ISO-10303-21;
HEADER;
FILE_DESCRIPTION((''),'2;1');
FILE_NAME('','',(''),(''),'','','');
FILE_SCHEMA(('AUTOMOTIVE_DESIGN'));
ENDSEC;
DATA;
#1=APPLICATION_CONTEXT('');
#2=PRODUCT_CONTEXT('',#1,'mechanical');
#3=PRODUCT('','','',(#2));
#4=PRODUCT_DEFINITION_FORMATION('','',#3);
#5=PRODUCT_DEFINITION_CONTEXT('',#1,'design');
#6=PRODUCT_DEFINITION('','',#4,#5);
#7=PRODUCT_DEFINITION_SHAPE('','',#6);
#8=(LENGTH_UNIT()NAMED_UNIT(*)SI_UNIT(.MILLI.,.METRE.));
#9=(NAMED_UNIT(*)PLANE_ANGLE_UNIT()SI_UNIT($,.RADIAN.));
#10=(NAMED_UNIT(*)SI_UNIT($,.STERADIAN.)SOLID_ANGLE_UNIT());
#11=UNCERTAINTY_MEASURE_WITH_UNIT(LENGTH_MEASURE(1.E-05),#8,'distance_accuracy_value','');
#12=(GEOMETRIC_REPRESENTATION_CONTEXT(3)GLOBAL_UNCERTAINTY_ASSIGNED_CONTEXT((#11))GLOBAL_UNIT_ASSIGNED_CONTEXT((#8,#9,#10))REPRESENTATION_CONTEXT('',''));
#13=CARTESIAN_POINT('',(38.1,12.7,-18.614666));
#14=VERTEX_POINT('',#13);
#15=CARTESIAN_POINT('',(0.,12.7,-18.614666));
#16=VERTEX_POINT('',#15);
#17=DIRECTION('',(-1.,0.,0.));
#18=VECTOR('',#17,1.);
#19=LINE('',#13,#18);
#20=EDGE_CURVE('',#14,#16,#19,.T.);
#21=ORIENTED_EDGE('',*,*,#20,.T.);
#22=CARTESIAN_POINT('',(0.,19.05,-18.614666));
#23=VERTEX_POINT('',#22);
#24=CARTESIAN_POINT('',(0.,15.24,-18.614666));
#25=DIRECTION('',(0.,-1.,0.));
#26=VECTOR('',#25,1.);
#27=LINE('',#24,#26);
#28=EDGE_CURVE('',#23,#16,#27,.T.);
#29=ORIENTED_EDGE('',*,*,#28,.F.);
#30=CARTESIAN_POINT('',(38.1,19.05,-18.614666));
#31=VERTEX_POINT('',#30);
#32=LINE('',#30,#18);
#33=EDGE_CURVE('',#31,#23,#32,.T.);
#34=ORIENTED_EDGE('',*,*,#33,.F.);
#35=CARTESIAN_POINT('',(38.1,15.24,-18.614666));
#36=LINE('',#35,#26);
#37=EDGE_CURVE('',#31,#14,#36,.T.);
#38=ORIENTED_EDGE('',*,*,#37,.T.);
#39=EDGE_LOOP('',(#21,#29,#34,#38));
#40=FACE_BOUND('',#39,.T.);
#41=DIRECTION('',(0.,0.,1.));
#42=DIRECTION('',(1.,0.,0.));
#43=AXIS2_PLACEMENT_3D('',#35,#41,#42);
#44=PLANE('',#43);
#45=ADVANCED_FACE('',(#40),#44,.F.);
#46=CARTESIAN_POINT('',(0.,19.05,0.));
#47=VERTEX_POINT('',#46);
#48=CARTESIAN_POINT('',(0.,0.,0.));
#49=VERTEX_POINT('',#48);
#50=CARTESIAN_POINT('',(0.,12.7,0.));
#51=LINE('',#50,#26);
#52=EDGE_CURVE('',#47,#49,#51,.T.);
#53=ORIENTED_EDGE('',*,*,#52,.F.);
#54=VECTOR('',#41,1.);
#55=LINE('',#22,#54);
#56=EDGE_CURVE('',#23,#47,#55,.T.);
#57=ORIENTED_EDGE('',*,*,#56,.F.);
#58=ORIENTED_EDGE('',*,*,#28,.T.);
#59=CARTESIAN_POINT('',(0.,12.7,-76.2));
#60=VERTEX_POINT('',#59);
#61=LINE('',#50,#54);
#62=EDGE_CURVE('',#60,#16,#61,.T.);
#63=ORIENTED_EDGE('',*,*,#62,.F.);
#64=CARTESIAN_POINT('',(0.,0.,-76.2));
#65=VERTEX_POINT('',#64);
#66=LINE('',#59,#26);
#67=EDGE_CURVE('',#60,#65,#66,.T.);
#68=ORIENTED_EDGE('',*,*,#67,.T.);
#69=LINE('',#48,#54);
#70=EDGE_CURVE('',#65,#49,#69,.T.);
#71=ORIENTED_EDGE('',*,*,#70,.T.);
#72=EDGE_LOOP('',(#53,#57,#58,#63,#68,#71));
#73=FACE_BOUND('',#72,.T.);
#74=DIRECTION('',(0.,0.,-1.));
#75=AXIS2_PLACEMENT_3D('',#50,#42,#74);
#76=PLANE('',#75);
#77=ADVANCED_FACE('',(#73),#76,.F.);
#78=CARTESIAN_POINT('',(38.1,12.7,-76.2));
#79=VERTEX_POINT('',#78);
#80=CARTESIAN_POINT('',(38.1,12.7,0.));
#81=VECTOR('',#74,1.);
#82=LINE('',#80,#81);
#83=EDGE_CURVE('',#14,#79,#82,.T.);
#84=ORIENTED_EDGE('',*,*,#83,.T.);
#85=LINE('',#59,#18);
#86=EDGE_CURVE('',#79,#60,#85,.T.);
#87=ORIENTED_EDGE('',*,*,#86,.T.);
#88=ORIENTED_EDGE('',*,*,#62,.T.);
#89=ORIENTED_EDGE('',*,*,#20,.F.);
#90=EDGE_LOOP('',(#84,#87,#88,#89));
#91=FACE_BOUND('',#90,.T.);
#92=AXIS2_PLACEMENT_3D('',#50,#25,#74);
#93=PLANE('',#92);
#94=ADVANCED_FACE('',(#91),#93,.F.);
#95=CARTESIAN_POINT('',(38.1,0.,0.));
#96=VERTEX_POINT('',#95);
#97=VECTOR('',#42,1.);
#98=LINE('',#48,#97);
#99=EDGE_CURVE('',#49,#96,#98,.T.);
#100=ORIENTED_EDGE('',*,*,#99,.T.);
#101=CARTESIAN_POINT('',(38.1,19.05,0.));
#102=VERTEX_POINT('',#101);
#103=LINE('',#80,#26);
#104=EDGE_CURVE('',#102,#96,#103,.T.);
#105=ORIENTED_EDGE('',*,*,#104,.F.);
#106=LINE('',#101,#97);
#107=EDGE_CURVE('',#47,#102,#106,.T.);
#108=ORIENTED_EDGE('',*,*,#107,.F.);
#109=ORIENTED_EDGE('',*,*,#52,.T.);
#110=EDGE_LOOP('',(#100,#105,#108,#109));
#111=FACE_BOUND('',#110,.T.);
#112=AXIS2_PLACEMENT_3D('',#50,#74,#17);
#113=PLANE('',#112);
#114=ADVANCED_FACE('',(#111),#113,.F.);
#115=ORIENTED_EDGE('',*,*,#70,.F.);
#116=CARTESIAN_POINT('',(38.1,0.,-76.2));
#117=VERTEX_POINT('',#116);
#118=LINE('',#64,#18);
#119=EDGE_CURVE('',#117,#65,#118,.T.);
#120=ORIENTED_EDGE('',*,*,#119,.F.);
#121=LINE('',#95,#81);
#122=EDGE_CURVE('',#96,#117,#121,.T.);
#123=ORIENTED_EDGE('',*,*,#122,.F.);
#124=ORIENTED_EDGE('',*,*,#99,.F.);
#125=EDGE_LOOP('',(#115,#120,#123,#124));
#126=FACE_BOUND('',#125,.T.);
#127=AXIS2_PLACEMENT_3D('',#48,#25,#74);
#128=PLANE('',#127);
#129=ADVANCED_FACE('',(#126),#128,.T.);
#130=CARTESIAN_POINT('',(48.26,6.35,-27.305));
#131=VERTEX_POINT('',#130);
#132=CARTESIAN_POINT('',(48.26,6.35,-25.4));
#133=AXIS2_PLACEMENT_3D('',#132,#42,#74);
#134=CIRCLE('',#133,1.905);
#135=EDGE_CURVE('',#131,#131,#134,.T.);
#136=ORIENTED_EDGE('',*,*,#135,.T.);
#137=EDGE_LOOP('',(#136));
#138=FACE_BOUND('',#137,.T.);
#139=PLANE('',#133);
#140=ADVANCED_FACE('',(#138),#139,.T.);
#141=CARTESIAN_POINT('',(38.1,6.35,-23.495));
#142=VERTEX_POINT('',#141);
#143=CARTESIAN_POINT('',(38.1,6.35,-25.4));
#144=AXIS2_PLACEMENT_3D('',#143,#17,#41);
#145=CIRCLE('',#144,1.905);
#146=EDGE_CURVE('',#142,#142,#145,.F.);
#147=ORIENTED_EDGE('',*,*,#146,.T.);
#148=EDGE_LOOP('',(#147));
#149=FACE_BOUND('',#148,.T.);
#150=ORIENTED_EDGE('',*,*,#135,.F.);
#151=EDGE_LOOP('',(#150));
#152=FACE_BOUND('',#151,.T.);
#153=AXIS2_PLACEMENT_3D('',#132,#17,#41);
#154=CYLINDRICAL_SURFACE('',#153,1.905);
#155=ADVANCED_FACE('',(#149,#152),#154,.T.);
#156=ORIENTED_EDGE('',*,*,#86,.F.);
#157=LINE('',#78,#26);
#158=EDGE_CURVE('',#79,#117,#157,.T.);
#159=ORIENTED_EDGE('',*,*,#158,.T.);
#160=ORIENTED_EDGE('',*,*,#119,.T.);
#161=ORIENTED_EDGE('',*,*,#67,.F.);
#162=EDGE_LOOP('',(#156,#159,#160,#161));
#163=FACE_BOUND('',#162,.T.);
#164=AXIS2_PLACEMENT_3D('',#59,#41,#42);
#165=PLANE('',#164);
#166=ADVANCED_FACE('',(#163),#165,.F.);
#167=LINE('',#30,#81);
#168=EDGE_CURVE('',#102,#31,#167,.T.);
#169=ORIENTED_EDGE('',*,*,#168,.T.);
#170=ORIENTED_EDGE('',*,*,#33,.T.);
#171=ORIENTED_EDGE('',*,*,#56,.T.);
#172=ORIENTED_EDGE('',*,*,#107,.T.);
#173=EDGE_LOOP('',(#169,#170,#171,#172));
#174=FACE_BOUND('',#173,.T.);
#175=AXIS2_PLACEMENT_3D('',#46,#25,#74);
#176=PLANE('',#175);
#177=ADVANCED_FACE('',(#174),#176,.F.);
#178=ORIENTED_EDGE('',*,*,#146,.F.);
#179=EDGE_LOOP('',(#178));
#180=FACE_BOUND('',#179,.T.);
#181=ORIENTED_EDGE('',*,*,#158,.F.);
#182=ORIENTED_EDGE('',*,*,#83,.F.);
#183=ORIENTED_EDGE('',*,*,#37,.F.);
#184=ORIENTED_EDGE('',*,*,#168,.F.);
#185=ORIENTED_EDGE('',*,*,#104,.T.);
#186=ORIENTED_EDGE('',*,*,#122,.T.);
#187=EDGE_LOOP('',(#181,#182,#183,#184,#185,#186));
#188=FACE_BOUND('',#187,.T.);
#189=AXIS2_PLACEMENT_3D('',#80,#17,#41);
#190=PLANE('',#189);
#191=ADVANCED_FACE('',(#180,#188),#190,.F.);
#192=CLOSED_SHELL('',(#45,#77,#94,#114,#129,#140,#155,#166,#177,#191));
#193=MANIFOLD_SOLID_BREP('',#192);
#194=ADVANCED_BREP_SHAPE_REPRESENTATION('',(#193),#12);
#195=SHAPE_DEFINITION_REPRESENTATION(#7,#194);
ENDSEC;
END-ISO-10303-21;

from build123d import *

# Parameters (mm, degrees)
SKETCH2_W           = 38.1
SKETCH2_H           = 76.2
BOSS_EXTRUDE1_DEPTH = 12.7
SKETCH5_W           = 38.1
SKETCH5_H           = 18.614666354
BOSS_EXTRUDE5_DEPTH = 2.54
SKETCH4_R           = 1.905
BOSS_EXTRUDE6_DEPTH = 10.16
SKETCH7_W           = 38.1
SKETCH7_H           = 18.614666354
BOSS_EXTRUDE7_DEPTH = 3.81


with BuildPart() as part:
    # Sketch2 → Boss-Extrude1 (new body)
    with BuildSketch(Plane(origin=(0, 0, 0), x_dir=(1, 0, 0), z_dir=(0, 1, 0))):
        with Locations((19.05, 38.1)):
            Rectangle(SKETCH2_W, SKETCH2_H)
    extrude(amount=BOSS_EXTRUDE1_DEPTH)

    # Sketch5 → Boss-Extrude5 (add)
    with BuildSketch(Plane(origin=(0, 12.7, 0), x_dir=(1, 0, 0), z_dir=(0, 1, 0))):
        with Locations((19.05, 9.307333177)):
            Rectangle(SKETCH5_W, SKETCH5_H)
    extrude(amount=BOSS_EXTRUDE5_DEPTH)

    # Sketch4 → Boss-Extrude6 (add)
    with BuildSketch(Plane(origin=(38.1, 0, 0), x_dir=(0, 0, -1), z_dir=(1, 0, 0))):
        with Locations(Location((25.4, 6.35, 0), (0, 0, 180))):
            Circle(SKETCH4_R)
    extrude(amount=BOSS_EXTRUDE6_DEPTH)

    # Sketch7 → Boss-Extrude7 (add)
    with BuildSketch(Plane(origin=(0, 15.24, 0), x_dir=(1, 0, 0), z_dir=(0, 1, 0))):
        with Locations((19.05, 9.307333177)):
            Rectangle(SKETCH7_W, SKETCH7_H)
    extrude(amount=BOSS_EXTRUDE7_DEPTH)


solid = part.part
